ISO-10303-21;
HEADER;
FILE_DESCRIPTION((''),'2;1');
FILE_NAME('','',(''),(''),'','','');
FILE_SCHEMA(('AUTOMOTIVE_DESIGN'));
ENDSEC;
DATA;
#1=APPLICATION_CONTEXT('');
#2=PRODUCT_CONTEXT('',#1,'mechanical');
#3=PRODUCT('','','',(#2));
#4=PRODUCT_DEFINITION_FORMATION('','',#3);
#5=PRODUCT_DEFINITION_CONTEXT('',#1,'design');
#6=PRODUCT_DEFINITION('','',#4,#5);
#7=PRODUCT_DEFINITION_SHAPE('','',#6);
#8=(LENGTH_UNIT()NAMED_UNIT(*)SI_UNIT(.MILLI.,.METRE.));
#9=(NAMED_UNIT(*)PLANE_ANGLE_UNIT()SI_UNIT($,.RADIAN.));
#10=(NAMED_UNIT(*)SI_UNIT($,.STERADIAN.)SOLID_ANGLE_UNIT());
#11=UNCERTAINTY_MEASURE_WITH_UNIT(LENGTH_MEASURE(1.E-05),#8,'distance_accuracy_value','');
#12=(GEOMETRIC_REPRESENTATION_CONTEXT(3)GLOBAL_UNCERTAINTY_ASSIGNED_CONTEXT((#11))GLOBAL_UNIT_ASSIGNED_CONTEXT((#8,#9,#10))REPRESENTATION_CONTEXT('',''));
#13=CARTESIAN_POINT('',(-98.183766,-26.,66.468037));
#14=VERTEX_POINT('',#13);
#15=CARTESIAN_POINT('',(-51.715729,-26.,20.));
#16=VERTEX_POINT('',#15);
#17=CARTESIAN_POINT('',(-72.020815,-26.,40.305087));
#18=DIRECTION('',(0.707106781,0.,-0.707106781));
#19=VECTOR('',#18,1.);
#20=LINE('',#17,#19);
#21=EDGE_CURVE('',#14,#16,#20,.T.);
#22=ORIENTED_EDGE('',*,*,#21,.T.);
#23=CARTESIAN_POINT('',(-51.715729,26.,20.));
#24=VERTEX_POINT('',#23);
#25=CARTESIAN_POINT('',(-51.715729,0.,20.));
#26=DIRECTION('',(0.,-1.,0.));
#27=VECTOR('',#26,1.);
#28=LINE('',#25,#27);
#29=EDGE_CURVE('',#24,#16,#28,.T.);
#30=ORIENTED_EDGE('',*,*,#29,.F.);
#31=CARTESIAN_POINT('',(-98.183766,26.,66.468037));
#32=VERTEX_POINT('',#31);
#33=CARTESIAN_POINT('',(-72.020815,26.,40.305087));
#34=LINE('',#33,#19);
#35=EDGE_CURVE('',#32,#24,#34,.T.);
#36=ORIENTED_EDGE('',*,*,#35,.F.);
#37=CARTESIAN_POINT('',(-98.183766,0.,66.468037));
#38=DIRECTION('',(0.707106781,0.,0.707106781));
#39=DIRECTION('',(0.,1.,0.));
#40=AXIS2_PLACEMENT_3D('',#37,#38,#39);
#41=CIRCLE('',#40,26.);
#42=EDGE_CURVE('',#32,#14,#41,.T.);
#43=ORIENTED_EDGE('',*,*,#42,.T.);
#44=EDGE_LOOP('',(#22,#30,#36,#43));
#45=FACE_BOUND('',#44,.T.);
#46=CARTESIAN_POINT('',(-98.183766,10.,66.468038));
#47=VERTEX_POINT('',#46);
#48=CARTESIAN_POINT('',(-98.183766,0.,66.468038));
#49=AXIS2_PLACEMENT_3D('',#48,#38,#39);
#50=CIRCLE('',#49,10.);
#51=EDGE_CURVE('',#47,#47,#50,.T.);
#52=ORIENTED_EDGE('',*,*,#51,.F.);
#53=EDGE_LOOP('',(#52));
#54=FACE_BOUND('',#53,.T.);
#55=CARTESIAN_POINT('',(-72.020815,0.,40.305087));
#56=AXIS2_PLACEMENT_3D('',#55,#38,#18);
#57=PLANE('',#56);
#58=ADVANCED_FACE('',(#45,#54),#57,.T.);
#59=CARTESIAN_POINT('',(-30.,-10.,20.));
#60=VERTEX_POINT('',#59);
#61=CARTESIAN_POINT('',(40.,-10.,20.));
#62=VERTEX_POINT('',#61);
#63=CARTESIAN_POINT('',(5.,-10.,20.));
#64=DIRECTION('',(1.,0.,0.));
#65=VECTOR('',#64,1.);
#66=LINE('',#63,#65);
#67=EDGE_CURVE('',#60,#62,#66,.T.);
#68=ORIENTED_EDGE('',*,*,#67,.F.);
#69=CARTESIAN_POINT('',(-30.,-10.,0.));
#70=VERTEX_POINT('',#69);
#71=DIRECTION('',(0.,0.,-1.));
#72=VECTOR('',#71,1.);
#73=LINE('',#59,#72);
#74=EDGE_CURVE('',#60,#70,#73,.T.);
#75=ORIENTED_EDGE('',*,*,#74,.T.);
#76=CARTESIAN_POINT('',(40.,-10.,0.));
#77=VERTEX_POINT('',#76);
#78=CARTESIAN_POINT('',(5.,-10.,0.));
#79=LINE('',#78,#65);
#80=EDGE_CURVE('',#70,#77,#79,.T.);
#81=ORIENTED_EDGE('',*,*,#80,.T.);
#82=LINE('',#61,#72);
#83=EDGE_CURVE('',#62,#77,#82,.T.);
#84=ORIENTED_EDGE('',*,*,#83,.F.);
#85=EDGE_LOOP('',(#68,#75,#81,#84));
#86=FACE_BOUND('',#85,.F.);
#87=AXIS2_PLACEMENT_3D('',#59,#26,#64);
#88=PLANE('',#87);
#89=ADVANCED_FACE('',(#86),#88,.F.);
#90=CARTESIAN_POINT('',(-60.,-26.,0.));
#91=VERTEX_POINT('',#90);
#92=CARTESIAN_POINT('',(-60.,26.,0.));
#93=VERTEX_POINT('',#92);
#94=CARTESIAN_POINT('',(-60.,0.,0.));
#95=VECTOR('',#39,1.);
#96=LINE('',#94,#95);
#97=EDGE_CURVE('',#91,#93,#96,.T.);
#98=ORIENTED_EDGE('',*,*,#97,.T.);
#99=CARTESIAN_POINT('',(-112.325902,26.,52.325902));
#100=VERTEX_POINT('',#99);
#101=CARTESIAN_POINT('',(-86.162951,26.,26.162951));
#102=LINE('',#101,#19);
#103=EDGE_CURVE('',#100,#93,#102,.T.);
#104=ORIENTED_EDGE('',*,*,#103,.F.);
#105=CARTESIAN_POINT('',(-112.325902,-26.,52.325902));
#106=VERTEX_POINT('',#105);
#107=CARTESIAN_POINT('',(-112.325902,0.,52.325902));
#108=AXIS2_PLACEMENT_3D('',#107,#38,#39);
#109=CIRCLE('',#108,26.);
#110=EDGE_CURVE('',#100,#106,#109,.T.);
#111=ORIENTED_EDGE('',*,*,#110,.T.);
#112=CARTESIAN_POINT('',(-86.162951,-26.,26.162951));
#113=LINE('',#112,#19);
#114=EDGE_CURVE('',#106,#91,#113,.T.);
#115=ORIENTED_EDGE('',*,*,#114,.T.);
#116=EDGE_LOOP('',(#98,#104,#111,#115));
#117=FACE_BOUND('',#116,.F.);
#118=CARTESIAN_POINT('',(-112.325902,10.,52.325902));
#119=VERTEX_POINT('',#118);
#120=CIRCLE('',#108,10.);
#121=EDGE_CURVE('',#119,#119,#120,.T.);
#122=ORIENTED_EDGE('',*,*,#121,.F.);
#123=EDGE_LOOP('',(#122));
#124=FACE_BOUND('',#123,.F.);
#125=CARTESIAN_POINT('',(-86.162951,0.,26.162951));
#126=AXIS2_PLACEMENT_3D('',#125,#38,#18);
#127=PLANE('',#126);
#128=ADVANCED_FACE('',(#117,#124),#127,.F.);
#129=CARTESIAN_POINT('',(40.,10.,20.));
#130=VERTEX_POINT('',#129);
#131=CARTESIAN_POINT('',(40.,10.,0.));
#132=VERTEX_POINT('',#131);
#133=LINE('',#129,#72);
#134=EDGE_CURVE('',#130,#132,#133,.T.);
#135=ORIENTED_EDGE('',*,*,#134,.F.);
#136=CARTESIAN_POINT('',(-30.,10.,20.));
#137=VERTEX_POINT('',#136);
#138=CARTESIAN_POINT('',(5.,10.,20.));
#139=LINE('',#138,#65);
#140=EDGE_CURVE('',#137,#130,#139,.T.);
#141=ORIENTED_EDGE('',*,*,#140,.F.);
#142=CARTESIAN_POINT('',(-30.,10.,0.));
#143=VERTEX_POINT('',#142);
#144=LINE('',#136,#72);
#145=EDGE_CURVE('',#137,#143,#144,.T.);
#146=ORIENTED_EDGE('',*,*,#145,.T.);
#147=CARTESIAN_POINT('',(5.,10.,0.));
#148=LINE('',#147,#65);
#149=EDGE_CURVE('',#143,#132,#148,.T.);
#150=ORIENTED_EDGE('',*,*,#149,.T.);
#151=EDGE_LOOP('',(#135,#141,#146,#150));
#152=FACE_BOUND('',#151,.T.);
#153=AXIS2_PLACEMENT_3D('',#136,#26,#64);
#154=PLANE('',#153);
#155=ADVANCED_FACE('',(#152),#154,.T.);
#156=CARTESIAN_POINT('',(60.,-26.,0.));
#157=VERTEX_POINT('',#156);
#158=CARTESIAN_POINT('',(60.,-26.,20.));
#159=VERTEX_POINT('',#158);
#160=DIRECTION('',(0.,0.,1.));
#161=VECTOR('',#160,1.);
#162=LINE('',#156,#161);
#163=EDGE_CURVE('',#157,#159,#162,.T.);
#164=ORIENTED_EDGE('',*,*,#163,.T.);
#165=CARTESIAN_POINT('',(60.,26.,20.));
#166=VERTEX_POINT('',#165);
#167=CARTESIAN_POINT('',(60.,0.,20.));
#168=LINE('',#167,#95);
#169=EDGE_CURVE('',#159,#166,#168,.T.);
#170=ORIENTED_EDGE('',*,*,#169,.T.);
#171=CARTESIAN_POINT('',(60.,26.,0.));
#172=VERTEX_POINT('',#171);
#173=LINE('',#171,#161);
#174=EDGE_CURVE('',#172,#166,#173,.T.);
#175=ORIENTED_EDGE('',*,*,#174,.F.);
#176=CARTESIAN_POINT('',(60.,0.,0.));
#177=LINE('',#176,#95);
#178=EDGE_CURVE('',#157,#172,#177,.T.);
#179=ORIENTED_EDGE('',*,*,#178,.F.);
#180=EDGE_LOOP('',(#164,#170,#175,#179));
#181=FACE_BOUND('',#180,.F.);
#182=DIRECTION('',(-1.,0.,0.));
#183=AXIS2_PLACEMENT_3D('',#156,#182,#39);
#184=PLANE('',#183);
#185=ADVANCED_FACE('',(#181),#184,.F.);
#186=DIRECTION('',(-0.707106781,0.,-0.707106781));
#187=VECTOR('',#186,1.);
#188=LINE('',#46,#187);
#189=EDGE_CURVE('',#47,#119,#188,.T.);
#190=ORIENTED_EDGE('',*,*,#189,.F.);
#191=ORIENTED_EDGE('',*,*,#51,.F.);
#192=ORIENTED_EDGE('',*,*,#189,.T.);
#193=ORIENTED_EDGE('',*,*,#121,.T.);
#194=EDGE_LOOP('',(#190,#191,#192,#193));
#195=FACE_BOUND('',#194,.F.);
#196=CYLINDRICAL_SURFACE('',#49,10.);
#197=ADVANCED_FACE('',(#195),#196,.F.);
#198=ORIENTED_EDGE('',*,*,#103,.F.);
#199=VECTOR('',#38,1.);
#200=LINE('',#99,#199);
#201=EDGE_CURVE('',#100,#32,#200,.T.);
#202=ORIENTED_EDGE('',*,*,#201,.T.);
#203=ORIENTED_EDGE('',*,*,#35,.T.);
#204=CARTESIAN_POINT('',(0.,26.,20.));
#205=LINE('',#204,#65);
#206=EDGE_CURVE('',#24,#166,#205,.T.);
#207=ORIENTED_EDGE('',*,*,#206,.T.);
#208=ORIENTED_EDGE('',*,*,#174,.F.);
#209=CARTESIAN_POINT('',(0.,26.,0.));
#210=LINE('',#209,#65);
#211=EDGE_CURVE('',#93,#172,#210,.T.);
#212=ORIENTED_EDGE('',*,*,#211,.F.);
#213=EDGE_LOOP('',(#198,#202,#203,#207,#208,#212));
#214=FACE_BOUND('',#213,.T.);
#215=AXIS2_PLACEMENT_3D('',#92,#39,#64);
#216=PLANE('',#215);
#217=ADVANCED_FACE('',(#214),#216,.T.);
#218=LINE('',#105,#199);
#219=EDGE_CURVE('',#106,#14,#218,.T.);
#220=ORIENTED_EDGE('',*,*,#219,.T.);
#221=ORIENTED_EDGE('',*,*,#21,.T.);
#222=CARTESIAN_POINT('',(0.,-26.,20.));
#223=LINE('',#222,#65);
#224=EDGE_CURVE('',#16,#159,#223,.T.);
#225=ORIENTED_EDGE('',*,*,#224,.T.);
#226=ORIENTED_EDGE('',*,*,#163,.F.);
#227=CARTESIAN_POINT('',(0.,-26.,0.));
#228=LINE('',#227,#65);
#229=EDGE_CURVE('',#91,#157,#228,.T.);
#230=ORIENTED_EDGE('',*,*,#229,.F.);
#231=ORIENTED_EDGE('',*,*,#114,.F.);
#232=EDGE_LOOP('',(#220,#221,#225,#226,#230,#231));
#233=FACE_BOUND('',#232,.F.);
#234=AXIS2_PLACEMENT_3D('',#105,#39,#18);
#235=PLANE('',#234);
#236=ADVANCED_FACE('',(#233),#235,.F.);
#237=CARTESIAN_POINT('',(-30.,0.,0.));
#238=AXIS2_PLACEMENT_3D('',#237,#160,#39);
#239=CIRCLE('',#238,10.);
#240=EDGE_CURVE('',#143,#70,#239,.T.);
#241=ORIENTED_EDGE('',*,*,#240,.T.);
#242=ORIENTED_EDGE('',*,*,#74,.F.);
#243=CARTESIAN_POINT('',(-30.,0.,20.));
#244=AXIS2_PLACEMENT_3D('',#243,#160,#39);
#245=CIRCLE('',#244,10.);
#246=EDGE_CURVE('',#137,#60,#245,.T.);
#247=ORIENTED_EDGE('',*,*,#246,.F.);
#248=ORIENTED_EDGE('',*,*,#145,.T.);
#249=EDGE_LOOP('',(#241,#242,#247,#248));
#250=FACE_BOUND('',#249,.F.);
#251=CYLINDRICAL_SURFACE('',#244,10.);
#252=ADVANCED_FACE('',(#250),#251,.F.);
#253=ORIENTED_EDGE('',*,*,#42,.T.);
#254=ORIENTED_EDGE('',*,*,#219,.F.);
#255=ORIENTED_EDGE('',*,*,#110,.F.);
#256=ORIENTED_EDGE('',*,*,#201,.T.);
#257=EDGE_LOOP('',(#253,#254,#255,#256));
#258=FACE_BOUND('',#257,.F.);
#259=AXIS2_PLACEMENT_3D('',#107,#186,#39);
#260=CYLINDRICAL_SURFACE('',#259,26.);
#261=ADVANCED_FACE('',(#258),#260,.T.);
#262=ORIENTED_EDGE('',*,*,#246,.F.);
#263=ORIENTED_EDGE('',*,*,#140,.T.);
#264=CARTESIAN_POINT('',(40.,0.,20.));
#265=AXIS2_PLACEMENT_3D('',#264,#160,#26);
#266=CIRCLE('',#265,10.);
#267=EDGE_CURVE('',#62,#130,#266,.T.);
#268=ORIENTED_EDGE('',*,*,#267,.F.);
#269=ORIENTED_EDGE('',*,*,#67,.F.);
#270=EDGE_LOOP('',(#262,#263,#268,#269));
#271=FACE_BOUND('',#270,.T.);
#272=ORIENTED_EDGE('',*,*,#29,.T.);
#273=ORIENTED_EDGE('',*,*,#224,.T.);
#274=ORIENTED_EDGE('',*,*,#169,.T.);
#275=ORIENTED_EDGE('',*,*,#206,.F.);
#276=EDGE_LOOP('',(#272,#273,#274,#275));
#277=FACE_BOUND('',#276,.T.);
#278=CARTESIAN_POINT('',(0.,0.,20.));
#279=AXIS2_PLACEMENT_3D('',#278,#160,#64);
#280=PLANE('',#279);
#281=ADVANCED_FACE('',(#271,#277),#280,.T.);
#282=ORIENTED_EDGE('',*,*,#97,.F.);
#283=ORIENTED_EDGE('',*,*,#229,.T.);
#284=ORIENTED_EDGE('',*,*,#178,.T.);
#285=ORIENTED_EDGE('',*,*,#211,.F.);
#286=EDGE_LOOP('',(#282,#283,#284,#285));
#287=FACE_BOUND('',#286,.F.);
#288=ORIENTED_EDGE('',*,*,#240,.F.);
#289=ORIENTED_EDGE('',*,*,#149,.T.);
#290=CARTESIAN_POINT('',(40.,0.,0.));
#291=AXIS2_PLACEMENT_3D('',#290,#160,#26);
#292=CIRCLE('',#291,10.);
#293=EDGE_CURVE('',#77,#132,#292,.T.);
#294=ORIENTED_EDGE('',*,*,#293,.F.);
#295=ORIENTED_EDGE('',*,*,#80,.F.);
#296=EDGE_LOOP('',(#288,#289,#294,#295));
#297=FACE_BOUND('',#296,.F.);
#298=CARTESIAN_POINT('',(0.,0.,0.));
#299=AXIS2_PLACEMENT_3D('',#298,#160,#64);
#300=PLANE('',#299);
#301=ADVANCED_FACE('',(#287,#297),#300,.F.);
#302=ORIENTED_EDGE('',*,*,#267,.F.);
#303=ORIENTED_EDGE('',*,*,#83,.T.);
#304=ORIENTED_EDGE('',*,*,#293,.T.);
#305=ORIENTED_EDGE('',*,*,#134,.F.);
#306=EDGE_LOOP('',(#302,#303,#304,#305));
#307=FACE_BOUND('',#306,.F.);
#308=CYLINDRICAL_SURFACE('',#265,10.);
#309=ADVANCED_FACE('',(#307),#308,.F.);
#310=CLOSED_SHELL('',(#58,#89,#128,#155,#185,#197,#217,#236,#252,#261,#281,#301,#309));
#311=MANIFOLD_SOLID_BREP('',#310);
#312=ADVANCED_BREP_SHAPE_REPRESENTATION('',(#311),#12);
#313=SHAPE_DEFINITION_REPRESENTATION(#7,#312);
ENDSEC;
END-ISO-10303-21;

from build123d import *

# Parameters (mm, degrees)
F1_W     = 74
F1_H     = 52
F2_DEPTH = 20
F3_ANGLE = -45
F0_W     = 120
F0_H     = 52
F4_DEPTH = 20
F5_W     = 70
F5_H     = 20
F6_DEPTH = 20
F7_R     = 10
F8_DEPTH = 25


with BuildPart() as f2:
    # F1 (on face) → F2 (new body)
    with BuildSketch(Plane.XY):
        with Locations((-97, 0)):
            Rectangle(F1_W, F1_H)
        with BuildLine():
            Line((-134, -26), (-134, 26))
            ThreePointArc((-134, 26), (-160, 0), (-134, -26))
        make_face()
    extrude(amount=F2_DEPTH)


with BuildPart() as f2_1:
    # F3: moved
    add(f2.part.rotate(Axis((-60, 0, 0), (0, -1, 0)), F3_ANGLE))

    # F0 (on Top) → F4 (join)
    with BuildSketch(Plane.XY):
        Rectangle(F0_W, F0_H)
    extrude(amount=F4_DEPTH)

    # F5 (on face) → F6 (cut)
    with BuildSketch(Plane.XY.offset(20)):
        with Locations((5, 0)):
            Rectangle(F5_W, F5_H)
        with BuildLine():
            Line((-30, -10), (-30, 10))
            ThreePointArc((-30, 10), (-40, 0), (-30, -10))
        make_face()
        with BuildLine():
            ThreePointArc((40, -10), (50, 0), (40, 10))
            Line((40, 10), (40, -10))
        make_face()
    extrude(amount=-F6_DEPTH, mode=Mode.SUBTRACT)

    # F7 (on face) → F8 (cut)
    with BuildSketch(Plane(origin=(-15.857864, 0, -15.857864), x_dir=(0, 1, 0), z_dir=(0.707107, 0, 0.707107))):
        with Locations((0, 116.426407)):
            Circle(F7_R)
    extrude(amount=-F8_DEPTH, mode=Mode.SUBTRACT)


solid = f2_1.part
